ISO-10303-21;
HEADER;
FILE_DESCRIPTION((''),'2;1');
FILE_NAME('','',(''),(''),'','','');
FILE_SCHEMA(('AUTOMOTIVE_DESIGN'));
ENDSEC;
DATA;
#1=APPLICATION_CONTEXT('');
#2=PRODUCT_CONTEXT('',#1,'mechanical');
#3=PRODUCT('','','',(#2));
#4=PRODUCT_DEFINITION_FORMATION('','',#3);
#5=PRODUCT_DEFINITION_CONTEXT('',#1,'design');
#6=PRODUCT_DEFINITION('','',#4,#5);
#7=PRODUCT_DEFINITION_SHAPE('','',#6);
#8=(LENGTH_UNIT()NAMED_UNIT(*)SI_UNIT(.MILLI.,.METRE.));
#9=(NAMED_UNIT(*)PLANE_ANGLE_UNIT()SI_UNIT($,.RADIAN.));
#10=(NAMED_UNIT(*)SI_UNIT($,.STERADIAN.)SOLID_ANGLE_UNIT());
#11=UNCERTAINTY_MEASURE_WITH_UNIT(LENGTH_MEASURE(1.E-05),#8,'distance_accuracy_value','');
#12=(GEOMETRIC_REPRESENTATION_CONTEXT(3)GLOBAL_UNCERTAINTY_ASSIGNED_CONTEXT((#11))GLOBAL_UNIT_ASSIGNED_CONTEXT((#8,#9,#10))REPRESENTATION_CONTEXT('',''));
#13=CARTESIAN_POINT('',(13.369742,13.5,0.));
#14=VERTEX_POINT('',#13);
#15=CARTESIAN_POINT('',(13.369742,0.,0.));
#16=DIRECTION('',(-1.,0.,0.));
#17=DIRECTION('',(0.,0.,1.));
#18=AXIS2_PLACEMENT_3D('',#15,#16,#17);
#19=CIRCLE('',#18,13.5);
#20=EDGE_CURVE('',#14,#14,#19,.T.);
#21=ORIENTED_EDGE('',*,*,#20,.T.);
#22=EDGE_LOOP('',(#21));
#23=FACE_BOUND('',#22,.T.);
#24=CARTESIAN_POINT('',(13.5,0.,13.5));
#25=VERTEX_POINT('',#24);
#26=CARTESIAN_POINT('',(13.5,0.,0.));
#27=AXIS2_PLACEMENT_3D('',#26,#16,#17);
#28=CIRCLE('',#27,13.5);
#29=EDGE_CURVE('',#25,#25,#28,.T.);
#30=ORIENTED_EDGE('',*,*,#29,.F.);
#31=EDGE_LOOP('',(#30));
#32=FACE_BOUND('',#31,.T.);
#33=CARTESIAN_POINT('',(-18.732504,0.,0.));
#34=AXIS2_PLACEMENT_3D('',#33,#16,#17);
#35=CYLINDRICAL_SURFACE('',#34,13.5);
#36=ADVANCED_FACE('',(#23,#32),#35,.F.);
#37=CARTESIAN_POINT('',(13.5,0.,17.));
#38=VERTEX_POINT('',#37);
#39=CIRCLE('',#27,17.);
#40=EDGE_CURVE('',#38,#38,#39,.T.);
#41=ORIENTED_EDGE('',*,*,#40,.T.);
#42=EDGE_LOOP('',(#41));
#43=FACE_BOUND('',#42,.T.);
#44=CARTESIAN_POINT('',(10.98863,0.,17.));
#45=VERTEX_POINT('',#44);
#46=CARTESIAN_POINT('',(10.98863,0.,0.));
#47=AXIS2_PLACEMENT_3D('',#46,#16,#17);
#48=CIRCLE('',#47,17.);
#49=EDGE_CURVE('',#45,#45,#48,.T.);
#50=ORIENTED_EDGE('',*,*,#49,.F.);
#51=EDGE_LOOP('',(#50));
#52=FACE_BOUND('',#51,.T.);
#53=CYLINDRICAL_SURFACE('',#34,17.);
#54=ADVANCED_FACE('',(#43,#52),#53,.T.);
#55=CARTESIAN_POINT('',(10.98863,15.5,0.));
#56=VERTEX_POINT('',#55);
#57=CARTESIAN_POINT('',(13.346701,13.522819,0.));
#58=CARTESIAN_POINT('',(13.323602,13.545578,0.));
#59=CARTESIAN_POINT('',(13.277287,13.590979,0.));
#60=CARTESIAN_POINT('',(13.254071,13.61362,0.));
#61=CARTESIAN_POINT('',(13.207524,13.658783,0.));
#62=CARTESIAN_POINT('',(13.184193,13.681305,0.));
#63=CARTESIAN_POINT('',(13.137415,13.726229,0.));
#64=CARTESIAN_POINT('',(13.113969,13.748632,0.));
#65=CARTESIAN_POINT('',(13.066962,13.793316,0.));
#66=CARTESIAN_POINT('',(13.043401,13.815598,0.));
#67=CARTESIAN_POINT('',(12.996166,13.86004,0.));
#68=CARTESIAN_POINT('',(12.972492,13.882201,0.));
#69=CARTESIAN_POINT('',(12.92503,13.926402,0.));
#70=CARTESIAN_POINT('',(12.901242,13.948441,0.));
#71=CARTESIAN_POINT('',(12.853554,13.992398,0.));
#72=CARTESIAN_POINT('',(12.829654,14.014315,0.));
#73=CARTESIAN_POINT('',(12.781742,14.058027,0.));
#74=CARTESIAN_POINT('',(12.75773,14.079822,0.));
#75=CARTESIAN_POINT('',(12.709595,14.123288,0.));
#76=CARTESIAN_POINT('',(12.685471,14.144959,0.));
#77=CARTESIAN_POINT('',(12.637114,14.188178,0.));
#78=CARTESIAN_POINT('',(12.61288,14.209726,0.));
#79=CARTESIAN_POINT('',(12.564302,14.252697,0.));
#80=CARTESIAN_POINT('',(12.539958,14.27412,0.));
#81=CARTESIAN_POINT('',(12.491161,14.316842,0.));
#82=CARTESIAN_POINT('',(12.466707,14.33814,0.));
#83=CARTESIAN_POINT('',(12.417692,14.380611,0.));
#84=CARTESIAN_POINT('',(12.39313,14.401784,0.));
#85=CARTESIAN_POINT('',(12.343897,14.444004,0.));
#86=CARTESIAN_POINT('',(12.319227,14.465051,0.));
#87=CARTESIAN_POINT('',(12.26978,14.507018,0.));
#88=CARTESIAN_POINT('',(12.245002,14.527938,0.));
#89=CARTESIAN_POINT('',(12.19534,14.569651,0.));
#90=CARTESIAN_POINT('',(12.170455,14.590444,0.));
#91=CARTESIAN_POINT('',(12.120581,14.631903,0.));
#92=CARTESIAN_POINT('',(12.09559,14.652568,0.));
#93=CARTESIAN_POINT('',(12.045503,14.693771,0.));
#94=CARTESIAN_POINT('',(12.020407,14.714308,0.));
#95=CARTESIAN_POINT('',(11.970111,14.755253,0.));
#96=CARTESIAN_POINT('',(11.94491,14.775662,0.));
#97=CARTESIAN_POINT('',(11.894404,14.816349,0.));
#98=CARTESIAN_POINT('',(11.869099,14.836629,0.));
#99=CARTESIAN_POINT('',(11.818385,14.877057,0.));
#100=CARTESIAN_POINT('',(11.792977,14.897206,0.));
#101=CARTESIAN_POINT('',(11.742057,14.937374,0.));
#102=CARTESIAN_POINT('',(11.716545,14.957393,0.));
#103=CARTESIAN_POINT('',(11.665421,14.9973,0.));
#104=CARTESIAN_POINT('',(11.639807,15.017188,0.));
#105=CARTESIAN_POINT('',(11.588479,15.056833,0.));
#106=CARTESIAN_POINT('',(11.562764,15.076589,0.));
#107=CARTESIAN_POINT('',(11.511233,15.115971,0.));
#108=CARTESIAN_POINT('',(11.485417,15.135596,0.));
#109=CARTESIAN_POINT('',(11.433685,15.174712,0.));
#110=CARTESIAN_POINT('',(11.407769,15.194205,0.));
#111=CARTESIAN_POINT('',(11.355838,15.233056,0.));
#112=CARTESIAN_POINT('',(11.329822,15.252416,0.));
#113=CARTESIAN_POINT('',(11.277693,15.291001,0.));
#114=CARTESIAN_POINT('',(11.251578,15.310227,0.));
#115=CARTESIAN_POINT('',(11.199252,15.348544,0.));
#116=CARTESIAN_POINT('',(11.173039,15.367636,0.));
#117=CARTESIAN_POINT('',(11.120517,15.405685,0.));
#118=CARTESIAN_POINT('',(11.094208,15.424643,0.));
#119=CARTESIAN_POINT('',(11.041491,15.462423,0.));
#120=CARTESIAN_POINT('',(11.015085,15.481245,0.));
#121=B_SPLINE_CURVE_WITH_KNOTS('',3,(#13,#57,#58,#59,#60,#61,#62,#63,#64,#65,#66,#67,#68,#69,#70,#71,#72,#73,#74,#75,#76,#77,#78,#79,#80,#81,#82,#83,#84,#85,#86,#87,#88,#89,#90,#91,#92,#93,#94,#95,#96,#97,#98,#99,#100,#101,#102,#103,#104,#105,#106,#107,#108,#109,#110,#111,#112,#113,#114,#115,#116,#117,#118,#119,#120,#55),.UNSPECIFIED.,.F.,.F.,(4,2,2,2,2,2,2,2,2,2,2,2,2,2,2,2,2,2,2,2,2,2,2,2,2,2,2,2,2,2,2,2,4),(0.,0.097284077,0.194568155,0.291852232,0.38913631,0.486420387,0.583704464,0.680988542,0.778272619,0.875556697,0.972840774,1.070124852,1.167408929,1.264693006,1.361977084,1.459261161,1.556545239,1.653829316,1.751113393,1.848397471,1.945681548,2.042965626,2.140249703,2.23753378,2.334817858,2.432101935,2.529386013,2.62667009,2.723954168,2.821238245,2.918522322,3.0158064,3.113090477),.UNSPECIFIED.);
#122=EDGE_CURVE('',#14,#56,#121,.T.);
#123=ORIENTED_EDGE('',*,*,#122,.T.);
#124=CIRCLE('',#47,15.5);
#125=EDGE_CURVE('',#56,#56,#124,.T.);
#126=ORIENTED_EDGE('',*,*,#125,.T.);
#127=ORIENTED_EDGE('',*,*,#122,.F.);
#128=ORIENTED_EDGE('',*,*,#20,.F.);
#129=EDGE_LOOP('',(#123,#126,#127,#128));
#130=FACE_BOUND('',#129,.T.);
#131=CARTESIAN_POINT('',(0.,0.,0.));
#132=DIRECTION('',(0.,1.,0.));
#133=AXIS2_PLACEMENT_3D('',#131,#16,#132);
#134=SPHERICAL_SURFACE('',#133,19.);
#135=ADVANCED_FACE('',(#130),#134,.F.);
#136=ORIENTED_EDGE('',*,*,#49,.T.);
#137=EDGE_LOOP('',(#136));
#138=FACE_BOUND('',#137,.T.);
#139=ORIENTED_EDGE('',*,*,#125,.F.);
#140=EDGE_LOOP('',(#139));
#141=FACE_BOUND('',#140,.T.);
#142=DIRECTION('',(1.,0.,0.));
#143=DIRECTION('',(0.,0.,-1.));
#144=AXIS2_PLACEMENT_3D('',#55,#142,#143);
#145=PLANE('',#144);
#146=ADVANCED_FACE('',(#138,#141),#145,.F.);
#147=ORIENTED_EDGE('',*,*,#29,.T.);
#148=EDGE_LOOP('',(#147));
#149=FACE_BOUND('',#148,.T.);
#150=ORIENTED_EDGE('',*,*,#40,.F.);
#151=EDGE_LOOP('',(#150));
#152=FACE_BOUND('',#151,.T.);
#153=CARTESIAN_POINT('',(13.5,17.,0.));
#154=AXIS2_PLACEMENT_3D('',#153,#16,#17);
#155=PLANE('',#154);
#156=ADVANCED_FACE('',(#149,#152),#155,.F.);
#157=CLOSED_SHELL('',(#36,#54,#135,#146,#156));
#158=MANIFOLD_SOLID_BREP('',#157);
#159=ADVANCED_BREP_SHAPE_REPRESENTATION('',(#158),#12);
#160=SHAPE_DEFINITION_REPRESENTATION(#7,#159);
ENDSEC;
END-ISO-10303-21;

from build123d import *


with BuildPart() as part:
    # Szkic1 → Obrót1 (revolve)
    with BuildSketch(Plane.XY, mode=Mode.PRIVATE) as obr_t1_sk:
        with BuildLine():
            Line((10.988630488, 15.5), (10.988630488, 17))
            Line((10.988630488, 17), (13.369741957, 17))
            Line((13.369741957, 17), (13.5, 17))
            Line((13.5, 17), (13.5, 13.5))
            Line((13.5, 13.5), (13.369741957, 13.5))
            ThreePointArc((13.369741957, 13.5), (12.220170909, 14.548794553), (10.988630488, 15.5))
        make_face()
    revolve(obr_t1_sk.sketch.rotate(Axis((-18.732503666, 0, 0), (1, 0, 0)), 90), axis=Axis((-18.732503666, 0, 0), (1, 0, 0)))


solid = part.part
